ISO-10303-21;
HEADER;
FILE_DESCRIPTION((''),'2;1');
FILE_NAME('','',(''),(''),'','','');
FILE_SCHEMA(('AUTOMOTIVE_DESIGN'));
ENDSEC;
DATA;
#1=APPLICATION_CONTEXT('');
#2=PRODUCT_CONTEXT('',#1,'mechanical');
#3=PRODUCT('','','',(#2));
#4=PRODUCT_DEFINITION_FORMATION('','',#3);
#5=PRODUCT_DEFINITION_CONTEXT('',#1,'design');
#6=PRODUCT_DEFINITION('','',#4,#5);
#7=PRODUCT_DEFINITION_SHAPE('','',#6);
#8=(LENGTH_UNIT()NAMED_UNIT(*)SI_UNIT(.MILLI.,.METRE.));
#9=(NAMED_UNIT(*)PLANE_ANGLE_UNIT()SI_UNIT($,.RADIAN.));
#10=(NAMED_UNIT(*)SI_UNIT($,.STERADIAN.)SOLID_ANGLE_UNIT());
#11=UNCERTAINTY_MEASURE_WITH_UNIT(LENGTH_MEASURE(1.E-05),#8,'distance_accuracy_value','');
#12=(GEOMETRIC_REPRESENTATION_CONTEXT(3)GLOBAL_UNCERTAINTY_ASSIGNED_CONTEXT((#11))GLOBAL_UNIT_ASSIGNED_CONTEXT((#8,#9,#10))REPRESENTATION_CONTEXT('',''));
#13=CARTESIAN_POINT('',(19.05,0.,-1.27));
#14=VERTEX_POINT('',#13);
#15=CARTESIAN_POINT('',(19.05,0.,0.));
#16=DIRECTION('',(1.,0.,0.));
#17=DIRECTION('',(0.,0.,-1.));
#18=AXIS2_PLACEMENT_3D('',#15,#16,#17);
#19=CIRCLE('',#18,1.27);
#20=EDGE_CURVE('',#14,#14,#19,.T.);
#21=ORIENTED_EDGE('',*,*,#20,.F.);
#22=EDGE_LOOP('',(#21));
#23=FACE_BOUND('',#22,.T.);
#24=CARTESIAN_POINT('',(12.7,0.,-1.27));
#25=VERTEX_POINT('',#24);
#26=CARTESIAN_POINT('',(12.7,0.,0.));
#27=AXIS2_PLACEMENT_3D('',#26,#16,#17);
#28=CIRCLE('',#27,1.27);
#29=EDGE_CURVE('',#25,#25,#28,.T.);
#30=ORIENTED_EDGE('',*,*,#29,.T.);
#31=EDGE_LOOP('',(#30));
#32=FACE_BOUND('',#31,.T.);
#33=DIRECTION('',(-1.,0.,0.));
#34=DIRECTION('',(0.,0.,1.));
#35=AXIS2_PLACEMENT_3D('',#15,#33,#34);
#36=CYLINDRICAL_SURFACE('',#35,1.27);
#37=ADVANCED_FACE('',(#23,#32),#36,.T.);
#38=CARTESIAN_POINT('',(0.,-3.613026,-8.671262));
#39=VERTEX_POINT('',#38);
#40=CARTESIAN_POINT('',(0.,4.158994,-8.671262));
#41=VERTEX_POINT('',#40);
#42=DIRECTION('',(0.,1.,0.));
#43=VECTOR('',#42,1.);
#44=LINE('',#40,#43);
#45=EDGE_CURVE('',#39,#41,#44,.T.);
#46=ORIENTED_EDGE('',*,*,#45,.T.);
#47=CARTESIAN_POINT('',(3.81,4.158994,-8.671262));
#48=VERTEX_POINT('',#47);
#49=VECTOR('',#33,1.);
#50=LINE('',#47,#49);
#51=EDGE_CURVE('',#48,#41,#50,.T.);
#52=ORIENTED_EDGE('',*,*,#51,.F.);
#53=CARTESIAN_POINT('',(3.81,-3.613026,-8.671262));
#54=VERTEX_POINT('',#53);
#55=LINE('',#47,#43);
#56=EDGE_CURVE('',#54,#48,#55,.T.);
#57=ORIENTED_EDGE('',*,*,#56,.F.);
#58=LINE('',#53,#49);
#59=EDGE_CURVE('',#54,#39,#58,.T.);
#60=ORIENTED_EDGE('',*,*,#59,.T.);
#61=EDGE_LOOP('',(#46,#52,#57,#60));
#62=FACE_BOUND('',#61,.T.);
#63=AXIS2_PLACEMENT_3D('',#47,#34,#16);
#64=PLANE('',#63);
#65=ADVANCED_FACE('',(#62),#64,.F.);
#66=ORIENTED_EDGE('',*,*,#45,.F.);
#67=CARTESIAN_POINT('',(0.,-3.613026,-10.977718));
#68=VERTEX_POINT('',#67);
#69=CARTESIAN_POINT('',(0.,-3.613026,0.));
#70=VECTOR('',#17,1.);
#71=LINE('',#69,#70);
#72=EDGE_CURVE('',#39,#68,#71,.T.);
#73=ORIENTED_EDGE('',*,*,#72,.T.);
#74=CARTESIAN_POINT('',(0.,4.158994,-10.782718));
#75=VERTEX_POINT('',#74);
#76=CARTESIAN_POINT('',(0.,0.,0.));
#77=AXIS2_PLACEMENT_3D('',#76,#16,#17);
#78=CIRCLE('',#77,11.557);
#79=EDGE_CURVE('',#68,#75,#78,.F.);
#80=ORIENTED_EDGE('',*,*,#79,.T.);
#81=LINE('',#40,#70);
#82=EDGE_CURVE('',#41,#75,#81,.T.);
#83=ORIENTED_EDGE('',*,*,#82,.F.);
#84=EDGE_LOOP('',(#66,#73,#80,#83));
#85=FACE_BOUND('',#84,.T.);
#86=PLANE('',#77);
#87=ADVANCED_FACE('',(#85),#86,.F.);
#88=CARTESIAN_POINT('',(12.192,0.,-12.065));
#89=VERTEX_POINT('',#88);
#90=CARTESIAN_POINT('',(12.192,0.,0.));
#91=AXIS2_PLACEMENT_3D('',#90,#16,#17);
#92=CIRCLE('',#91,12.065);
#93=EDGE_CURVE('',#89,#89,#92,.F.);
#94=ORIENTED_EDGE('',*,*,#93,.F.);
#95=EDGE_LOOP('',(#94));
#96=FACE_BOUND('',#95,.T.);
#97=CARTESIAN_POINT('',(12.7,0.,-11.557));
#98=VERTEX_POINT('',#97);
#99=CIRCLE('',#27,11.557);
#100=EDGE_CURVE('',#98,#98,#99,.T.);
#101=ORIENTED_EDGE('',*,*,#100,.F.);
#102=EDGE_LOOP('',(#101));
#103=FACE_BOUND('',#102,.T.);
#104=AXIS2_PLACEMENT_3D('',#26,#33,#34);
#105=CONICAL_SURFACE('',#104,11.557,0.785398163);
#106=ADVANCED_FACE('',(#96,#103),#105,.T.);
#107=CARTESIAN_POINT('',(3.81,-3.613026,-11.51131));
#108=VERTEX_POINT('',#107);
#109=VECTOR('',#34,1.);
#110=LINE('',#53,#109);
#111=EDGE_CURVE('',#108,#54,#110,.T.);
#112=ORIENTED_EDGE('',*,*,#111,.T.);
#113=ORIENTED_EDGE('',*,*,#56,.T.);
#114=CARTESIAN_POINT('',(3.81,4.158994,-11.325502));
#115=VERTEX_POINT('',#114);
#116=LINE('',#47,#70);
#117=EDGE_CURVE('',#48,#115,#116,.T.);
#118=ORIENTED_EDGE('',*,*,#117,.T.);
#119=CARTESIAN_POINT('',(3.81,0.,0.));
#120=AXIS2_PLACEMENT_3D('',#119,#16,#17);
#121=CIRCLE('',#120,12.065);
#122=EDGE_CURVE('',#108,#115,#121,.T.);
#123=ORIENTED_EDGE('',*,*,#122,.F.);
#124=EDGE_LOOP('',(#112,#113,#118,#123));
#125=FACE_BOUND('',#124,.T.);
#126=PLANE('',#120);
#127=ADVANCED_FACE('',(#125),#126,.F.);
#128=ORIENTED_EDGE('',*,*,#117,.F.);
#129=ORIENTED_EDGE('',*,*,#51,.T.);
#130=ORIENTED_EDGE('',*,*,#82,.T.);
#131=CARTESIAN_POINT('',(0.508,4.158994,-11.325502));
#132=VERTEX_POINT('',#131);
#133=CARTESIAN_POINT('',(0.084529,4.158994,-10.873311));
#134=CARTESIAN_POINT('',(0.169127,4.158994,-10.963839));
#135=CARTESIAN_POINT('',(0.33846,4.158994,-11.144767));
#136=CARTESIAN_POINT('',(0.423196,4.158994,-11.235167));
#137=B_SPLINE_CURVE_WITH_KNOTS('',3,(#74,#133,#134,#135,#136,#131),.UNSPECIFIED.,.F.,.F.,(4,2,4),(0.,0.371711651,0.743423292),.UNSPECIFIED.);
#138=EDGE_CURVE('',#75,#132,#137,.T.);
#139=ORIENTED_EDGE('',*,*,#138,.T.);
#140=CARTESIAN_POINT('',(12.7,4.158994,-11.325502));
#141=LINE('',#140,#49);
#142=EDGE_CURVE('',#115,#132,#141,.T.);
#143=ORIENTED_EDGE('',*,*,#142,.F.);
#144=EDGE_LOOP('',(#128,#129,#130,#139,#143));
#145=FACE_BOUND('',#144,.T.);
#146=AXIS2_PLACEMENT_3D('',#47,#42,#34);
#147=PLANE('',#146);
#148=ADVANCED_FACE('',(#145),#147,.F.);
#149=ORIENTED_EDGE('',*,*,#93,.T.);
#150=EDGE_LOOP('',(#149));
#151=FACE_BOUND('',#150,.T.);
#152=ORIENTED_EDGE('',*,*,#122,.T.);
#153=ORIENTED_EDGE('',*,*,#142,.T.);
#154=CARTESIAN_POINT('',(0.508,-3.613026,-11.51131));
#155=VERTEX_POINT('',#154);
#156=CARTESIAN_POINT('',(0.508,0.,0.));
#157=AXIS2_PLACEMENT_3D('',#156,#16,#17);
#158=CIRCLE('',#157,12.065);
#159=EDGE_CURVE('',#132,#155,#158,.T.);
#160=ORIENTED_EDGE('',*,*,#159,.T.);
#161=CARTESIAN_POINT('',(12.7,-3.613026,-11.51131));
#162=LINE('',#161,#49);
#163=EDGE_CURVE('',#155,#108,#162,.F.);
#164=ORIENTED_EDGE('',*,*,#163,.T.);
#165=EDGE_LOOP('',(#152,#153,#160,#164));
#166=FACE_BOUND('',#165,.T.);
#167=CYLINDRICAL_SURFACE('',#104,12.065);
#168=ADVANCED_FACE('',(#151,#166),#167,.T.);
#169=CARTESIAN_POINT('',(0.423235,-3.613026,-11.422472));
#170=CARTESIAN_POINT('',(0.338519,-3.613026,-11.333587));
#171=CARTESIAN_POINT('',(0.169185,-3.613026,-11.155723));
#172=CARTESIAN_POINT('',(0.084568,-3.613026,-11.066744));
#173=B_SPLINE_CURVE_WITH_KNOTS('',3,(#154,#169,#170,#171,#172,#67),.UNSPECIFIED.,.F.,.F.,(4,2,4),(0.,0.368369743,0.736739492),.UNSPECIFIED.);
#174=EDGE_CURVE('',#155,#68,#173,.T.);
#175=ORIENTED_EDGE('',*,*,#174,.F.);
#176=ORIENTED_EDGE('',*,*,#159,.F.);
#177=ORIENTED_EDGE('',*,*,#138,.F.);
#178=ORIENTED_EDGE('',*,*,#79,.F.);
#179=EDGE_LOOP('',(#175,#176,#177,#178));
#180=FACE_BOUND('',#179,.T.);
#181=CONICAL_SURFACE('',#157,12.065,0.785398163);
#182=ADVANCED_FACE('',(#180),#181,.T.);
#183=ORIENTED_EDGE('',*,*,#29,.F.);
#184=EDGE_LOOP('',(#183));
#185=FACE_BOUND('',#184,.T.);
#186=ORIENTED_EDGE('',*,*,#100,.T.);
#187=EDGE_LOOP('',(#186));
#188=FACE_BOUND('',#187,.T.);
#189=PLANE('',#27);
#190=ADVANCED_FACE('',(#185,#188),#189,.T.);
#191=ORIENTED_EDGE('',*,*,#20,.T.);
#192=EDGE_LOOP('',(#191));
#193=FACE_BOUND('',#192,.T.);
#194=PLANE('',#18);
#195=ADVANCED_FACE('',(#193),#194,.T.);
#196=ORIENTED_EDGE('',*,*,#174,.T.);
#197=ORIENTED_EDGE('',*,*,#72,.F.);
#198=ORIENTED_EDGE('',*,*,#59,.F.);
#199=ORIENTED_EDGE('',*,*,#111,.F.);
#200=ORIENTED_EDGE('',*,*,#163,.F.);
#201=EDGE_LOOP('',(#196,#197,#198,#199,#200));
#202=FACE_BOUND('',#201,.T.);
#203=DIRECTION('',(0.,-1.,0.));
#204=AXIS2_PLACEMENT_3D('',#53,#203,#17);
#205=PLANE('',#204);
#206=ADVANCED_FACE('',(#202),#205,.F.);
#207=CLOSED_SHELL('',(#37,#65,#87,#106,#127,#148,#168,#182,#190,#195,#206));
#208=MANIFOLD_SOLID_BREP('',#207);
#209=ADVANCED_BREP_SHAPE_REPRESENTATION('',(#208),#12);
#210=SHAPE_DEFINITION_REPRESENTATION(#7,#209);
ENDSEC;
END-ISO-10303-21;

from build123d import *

# Parameters (mm, degrees)
SKETCH1_R           = 12.065
BOSS_EXTRUDE1_DEPTH = 12.7
SKETCH2_R           = 1.27
BOSS_EXTRUDE2_DEPTH = 6.35
SKETCH4_W           = 5.04217838
SKETCH4_H           = 7.772020178
CUT_EXTRUDE1_DEPTH  = 3.81
CHAMFER1_SIZE       = 0.508


with BuildPart() as part:
    # Sketch1 → Boss-Extrude1 (new body)
    with BuildSketch(Plane(origin=(0, 0, 0), x_dir=(0, 0, -1), z_dir=(1, 0, 0))):
        Circle(SKETCH1_R)
    extrude(amount=BOSS_EXTRUDE1_DEPTH)

    # Sketch2 → Boss-Extrude2 (add)
    with BuildSketch(Plane(origin=(12.7, 0, 0), x_dir=(0, 0, -1), z_dir=(1, 0, 0))):
        Circle(SKETCH2_R)
    extrude(amount=BOSS_EXTRUDE2_DEPTH)

    # Sketch4 → Cut-Extrude1 (cut)
    with BuildSketch(Plane.ZY):
        with Locations((-11.192351372, 0.27298418)):
            Rectangle(SKETCH4_W, SKETCH4_H)
    extrude(amount=-CUT_EXTRUDE1_DEPTH, mode=Mode.SUBTRACT)

    # Chamfer1
    chamfer1_edges = [part.edges().sort_by_distance(p)[0] for p in [
        (0, -0.288360149, 12.061553525),
        (12.7, 0, 12.065),
    ]]
    chamfer(chamfer1_edges, length=CHAMFER1_SIZE)


solid = part.part
